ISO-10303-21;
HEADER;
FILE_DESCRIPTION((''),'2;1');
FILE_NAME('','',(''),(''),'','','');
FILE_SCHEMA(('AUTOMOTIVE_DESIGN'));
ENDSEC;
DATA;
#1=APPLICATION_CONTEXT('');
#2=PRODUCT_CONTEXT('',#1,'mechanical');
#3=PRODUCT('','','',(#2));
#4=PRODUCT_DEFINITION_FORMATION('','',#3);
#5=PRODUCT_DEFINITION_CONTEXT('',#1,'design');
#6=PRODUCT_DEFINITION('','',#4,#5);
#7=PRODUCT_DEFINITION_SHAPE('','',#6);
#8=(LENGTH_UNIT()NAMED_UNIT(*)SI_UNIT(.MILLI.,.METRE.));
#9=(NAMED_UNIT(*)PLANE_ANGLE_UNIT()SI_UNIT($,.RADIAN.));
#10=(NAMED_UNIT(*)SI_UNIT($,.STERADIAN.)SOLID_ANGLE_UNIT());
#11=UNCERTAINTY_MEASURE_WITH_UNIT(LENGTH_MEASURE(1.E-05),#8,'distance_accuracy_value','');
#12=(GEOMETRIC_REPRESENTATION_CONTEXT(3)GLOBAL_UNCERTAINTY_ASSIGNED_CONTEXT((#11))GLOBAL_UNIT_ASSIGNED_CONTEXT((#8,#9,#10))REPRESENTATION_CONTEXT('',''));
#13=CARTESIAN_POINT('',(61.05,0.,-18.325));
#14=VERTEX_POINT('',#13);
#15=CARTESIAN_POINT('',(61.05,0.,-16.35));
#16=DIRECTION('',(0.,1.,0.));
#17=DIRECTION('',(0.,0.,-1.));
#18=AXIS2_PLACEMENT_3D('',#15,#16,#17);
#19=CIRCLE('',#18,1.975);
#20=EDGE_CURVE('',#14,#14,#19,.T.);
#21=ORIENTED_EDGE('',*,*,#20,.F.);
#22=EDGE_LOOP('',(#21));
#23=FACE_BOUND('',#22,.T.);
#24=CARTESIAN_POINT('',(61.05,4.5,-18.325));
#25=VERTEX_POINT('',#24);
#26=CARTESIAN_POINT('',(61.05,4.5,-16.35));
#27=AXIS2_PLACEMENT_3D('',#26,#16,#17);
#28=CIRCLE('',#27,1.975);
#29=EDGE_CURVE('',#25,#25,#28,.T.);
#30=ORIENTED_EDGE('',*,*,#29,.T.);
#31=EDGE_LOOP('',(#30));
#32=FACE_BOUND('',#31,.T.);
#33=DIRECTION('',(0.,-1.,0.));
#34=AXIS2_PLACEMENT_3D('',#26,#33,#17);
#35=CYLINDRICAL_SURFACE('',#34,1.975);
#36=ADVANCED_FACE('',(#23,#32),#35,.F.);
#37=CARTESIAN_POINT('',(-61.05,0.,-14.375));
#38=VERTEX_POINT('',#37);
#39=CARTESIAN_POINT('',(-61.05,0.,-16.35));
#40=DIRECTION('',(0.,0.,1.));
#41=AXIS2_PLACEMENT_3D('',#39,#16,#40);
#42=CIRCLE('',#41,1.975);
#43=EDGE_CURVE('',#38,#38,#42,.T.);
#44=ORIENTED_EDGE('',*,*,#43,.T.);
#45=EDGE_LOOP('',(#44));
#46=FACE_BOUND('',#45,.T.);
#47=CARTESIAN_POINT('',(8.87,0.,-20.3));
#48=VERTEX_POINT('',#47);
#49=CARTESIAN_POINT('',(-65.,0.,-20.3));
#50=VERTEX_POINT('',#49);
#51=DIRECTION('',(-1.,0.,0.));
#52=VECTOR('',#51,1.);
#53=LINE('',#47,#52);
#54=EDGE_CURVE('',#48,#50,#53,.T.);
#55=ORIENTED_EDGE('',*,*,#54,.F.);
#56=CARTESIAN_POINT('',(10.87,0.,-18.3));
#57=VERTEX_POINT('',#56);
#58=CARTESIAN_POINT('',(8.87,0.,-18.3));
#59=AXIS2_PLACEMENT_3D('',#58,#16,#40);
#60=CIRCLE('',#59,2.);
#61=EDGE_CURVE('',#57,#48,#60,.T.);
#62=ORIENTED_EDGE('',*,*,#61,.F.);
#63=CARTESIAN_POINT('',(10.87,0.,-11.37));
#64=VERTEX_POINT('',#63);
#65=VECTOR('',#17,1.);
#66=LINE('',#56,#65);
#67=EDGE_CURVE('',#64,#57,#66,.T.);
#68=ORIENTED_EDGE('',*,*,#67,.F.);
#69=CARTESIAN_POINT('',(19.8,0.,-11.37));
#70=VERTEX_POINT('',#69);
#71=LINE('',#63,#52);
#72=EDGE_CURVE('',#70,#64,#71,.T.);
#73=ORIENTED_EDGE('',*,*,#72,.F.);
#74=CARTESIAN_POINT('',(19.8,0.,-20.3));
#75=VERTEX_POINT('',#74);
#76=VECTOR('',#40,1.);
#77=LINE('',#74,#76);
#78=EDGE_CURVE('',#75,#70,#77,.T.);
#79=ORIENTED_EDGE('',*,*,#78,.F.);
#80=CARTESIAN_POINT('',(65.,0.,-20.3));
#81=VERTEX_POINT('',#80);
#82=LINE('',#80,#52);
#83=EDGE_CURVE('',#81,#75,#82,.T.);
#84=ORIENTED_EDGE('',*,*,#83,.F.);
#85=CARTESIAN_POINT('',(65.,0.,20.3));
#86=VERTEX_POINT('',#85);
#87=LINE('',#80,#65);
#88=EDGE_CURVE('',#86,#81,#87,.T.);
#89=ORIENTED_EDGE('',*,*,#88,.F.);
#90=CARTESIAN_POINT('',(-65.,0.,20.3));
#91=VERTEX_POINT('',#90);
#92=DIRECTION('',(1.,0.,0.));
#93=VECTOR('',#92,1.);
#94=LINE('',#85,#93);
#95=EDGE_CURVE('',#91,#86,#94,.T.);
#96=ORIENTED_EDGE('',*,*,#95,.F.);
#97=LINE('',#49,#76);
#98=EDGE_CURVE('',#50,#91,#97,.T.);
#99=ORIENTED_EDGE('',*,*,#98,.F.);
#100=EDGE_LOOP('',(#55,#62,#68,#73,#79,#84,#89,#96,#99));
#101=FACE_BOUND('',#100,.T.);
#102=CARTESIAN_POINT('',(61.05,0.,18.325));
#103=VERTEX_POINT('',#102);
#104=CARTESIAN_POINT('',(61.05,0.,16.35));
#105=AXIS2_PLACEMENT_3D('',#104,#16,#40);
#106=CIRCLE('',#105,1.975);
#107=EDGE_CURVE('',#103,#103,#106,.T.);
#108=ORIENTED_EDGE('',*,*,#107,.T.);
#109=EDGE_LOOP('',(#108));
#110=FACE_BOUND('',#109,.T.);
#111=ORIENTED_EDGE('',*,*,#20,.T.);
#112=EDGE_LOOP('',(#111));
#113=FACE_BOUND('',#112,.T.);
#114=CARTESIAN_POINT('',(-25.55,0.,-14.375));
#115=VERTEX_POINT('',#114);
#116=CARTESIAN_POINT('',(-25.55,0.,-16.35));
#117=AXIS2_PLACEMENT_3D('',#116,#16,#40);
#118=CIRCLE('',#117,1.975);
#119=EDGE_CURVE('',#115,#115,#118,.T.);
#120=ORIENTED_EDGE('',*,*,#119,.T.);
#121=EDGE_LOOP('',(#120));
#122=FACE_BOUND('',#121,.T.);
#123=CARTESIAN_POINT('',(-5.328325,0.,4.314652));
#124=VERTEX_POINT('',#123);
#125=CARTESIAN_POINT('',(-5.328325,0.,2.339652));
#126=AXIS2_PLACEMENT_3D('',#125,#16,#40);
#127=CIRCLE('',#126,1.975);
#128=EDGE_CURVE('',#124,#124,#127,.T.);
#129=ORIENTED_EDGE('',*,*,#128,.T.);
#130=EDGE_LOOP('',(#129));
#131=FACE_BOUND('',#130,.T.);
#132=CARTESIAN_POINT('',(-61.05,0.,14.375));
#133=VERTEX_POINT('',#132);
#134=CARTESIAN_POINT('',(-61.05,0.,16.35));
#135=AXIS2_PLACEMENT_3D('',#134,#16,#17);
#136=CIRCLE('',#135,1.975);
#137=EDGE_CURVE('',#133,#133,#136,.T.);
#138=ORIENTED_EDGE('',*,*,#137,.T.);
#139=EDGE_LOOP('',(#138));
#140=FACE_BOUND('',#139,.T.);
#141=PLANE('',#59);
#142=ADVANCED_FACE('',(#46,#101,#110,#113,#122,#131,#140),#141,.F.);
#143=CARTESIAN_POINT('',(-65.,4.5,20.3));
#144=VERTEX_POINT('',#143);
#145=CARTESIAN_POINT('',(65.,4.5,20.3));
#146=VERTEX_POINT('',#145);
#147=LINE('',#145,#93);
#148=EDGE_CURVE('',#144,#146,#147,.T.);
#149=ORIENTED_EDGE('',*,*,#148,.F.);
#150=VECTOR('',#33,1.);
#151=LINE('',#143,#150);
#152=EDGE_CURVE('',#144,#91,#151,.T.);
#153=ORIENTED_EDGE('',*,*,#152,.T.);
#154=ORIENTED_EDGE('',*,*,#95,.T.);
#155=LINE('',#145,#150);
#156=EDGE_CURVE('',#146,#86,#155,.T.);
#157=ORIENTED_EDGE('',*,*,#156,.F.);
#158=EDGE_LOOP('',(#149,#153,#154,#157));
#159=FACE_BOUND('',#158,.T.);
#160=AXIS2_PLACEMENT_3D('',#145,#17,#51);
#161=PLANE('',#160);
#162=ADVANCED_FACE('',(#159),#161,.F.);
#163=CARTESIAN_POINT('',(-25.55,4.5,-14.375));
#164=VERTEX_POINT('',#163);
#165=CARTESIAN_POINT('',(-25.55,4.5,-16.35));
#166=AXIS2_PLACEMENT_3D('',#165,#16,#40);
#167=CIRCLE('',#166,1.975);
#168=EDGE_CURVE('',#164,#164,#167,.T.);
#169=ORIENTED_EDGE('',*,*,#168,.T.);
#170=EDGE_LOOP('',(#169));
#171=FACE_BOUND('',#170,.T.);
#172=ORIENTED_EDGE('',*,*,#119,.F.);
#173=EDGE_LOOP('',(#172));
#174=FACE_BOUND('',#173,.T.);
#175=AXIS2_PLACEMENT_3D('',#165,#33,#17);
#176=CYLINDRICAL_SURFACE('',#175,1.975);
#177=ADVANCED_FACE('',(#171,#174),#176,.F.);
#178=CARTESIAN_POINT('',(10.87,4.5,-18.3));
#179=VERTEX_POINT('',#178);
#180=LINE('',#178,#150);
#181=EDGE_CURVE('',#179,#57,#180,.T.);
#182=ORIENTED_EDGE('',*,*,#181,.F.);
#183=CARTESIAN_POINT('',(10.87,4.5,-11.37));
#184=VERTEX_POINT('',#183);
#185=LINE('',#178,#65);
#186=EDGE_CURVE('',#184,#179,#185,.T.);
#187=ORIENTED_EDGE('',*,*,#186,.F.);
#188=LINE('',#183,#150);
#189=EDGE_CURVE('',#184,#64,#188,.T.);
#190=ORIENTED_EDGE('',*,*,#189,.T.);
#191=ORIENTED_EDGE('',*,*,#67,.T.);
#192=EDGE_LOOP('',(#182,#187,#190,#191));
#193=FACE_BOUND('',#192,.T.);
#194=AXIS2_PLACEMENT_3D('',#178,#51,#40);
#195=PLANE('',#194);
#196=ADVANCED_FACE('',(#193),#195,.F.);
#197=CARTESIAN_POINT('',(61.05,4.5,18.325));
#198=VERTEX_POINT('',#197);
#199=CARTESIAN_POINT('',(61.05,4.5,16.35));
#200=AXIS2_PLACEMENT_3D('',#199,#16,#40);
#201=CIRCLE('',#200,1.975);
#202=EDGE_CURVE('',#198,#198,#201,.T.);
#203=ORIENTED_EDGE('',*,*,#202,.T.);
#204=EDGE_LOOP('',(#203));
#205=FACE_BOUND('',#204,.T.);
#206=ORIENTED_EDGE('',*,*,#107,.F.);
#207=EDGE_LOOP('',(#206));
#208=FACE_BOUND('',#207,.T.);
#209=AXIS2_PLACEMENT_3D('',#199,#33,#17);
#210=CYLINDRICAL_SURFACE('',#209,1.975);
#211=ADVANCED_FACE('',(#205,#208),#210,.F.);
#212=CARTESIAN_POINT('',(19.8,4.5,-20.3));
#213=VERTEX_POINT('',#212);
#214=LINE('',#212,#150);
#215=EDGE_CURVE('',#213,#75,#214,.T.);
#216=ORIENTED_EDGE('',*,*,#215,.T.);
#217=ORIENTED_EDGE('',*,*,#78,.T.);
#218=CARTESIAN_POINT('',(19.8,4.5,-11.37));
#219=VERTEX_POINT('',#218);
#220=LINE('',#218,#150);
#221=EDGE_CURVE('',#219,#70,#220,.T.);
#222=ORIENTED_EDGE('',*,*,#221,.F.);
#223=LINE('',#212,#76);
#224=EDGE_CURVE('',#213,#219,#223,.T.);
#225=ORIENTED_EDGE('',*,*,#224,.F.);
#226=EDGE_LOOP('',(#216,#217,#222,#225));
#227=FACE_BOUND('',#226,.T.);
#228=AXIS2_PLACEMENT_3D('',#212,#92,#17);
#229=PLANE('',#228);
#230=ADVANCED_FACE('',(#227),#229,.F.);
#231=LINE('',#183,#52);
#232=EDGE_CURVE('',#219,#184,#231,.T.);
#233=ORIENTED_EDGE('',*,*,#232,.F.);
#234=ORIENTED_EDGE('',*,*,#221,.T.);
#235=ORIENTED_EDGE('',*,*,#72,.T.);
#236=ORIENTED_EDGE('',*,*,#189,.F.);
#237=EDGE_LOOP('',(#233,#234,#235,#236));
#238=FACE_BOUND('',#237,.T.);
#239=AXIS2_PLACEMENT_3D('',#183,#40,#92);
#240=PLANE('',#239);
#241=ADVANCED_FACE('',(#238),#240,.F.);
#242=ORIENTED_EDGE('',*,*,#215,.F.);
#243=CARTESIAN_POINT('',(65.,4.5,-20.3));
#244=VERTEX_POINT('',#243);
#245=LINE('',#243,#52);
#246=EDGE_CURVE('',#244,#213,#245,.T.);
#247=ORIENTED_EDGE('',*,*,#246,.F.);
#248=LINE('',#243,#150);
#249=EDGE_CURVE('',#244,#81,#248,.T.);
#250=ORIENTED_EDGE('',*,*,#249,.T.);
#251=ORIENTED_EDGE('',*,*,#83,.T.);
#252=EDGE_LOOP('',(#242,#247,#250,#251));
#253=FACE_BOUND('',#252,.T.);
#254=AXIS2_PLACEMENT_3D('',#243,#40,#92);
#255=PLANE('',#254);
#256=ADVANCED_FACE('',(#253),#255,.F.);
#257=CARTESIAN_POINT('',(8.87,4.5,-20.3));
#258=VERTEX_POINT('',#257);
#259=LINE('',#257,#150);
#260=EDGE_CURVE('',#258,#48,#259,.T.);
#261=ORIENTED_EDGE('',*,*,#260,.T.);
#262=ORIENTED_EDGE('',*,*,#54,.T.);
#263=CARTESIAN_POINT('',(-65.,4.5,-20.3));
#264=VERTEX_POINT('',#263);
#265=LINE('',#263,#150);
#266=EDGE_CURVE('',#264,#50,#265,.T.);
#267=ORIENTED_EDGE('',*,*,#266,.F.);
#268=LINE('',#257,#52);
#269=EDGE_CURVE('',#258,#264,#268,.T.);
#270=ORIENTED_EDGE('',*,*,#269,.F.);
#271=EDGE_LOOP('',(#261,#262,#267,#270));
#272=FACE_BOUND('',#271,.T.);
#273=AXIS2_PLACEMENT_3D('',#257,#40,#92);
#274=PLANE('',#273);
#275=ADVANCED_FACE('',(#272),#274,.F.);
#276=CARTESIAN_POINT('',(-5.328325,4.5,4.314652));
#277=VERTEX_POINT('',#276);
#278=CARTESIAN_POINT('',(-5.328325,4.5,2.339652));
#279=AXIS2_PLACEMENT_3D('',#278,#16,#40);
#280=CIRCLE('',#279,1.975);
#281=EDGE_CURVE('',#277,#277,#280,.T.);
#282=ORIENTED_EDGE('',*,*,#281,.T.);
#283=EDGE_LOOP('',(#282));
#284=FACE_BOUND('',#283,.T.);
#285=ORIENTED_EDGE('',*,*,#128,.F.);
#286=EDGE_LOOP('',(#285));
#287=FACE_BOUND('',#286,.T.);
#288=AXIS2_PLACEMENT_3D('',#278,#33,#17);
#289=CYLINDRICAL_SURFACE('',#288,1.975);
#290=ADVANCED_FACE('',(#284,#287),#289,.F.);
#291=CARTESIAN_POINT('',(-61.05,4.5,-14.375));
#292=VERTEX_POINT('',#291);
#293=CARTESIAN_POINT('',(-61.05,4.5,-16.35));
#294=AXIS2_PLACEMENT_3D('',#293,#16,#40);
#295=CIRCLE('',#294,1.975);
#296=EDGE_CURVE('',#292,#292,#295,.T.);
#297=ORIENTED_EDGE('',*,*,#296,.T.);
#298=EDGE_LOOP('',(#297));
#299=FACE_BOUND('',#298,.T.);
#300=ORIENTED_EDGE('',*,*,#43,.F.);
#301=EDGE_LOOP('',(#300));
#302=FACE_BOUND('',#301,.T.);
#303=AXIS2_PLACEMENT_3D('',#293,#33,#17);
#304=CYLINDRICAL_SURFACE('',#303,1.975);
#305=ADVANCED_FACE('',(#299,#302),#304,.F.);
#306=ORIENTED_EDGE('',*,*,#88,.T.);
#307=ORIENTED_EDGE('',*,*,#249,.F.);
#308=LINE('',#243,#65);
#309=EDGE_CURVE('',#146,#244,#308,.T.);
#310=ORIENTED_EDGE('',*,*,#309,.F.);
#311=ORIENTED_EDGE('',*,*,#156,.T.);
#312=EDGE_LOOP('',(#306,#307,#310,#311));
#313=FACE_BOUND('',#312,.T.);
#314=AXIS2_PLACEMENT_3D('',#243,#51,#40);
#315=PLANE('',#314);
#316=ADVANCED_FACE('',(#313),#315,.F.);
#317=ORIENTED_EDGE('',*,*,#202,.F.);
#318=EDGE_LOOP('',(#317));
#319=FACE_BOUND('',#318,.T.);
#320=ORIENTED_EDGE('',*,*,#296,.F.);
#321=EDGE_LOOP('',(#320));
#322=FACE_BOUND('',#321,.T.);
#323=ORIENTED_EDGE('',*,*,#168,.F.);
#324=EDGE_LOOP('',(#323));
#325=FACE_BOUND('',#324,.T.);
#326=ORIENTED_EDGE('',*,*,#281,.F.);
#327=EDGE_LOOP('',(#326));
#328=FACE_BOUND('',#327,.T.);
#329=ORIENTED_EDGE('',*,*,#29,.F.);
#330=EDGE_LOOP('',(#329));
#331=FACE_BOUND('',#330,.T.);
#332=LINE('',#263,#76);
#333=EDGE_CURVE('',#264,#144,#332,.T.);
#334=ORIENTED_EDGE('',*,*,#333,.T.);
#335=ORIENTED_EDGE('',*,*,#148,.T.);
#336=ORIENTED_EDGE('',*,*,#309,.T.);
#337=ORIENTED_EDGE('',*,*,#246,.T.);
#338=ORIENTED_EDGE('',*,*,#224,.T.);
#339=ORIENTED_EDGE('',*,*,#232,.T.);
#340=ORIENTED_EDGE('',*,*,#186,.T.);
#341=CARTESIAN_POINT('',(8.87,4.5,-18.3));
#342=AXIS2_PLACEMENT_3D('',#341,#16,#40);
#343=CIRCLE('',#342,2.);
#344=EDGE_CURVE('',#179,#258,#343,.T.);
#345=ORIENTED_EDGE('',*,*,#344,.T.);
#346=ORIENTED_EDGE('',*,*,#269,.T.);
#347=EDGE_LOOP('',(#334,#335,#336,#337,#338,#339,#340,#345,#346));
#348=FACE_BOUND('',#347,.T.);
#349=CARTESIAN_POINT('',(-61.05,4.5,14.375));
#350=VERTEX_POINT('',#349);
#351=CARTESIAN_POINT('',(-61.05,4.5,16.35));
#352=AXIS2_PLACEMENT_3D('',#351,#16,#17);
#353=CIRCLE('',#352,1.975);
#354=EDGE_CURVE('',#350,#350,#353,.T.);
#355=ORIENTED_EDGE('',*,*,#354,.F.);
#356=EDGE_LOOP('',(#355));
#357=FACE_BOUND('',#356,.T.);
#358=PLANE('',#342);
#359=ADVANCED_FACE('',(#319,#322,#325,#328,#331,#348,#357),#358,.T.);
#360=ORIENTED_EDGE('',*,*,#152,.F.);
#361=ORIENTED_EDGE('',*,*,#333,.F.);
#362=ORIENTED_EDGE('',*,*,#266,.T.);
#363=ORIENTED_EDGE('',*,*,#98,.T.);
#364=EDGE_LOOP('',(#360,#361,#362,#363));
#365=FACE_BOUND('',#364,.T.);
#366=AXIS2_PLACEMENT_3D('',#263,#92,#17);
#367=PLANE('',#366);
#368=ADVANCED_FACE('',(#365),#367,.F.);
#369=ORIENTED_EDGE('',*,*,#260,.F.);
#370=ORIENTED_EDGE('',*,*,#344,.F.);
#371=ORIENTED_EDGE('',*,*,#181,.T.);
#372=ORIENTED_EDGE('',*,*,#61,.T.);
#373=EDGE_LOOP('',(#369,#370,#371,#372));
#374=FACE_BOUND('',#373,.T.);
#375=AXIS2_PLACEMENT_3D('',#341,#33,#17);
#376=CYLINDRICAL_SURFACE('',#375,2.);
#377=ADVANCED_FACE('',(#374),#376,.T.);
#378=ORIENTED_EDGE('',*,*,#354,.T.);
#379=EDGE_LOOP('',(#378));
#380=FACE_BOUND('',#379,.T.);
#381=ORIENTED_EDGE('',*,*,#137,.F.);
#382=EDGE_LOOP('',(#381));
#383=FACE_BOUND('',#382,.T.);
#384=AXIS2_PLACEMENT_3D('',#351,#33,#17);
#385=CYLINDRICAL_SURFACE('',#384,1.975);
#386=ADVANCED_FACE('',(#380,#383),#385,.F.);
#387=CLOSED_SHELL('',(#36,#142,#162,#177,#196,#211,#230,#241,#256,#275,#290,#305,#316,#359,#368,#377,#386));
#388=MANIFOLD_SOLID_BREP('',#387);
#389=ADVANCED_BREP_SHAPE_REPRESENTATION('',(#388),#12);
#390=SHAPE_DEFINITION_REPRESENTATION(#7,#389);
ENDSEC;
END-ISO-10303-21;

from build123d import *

# Parameters (mm, degrees)
SKETCH1_R           = 1.975
BOSS_EXTRUDE1_DEPTH = 4.5


with BuildPart() as part:
    # Sketch1 → Boss-Extrude1 (new body)
    with BuildSketch(Plane(origin=(0, 0, 0), x_dir=(1, 0, 0), z_dir=(0, 1, 0))):
        with BuildLine():
            Line((65, 20.3), (19.8, 20.3))
            Line((19.8, 20.3), (19.8, 11.37))
            Line((19.8, 11.37), (10.87, 11.37))
            Line((10.87, 11.37), (10.87, 18.3))
            ThreePointArc((10.87, 18.3), (10.284213562, 19.714213562), (8.87, 20.3))
            Line((8.87, 20.3), (-65, 20.3))
            Line((-65, 20.3), (-65, -20.3))
            Line((-65, -20.3), (65, -20.3))
            Line((65, -20.3), (65, 20.3))
        make_face()
        with Locations(Location((-61.05, 16.35, 0), (0, 0, 270))):
            Circle(SKETCH1_R, mode=Mode.SUBTRACT)
        with Locations(Location((61.05, 16.35, 0), (0, 0, 90))):
            Circle(SKETCH1_R, mode=Mode.SUBTRACT)
        with Locations(Location((61.05, -16.35, 0), (0, 0, 270))):
            Circle(SKETCH1_R, mode=Mode.SUBTRACT)
        with Locations(Location((-61.05, -16.35, 0), (0, 0, 90))):
            Circle(SKETCH1_R, mode=Mode.SUBTRACT)
        with Locations(Location((-25.55, 16.35, 0), (0, 0, 270))):
            Circle(SKETCH1_R, mode=Mode.SUBTRACT)
        with Locations(Location((-5.328324842, -2.339651524, 0), (0, 0, 270))):
            Circle(SKETCH1_R, mode=Mode.SUBTRACT)
    extrude(amount=BOSS_EXTRUDE1_DEPTH)


solid = part.part
